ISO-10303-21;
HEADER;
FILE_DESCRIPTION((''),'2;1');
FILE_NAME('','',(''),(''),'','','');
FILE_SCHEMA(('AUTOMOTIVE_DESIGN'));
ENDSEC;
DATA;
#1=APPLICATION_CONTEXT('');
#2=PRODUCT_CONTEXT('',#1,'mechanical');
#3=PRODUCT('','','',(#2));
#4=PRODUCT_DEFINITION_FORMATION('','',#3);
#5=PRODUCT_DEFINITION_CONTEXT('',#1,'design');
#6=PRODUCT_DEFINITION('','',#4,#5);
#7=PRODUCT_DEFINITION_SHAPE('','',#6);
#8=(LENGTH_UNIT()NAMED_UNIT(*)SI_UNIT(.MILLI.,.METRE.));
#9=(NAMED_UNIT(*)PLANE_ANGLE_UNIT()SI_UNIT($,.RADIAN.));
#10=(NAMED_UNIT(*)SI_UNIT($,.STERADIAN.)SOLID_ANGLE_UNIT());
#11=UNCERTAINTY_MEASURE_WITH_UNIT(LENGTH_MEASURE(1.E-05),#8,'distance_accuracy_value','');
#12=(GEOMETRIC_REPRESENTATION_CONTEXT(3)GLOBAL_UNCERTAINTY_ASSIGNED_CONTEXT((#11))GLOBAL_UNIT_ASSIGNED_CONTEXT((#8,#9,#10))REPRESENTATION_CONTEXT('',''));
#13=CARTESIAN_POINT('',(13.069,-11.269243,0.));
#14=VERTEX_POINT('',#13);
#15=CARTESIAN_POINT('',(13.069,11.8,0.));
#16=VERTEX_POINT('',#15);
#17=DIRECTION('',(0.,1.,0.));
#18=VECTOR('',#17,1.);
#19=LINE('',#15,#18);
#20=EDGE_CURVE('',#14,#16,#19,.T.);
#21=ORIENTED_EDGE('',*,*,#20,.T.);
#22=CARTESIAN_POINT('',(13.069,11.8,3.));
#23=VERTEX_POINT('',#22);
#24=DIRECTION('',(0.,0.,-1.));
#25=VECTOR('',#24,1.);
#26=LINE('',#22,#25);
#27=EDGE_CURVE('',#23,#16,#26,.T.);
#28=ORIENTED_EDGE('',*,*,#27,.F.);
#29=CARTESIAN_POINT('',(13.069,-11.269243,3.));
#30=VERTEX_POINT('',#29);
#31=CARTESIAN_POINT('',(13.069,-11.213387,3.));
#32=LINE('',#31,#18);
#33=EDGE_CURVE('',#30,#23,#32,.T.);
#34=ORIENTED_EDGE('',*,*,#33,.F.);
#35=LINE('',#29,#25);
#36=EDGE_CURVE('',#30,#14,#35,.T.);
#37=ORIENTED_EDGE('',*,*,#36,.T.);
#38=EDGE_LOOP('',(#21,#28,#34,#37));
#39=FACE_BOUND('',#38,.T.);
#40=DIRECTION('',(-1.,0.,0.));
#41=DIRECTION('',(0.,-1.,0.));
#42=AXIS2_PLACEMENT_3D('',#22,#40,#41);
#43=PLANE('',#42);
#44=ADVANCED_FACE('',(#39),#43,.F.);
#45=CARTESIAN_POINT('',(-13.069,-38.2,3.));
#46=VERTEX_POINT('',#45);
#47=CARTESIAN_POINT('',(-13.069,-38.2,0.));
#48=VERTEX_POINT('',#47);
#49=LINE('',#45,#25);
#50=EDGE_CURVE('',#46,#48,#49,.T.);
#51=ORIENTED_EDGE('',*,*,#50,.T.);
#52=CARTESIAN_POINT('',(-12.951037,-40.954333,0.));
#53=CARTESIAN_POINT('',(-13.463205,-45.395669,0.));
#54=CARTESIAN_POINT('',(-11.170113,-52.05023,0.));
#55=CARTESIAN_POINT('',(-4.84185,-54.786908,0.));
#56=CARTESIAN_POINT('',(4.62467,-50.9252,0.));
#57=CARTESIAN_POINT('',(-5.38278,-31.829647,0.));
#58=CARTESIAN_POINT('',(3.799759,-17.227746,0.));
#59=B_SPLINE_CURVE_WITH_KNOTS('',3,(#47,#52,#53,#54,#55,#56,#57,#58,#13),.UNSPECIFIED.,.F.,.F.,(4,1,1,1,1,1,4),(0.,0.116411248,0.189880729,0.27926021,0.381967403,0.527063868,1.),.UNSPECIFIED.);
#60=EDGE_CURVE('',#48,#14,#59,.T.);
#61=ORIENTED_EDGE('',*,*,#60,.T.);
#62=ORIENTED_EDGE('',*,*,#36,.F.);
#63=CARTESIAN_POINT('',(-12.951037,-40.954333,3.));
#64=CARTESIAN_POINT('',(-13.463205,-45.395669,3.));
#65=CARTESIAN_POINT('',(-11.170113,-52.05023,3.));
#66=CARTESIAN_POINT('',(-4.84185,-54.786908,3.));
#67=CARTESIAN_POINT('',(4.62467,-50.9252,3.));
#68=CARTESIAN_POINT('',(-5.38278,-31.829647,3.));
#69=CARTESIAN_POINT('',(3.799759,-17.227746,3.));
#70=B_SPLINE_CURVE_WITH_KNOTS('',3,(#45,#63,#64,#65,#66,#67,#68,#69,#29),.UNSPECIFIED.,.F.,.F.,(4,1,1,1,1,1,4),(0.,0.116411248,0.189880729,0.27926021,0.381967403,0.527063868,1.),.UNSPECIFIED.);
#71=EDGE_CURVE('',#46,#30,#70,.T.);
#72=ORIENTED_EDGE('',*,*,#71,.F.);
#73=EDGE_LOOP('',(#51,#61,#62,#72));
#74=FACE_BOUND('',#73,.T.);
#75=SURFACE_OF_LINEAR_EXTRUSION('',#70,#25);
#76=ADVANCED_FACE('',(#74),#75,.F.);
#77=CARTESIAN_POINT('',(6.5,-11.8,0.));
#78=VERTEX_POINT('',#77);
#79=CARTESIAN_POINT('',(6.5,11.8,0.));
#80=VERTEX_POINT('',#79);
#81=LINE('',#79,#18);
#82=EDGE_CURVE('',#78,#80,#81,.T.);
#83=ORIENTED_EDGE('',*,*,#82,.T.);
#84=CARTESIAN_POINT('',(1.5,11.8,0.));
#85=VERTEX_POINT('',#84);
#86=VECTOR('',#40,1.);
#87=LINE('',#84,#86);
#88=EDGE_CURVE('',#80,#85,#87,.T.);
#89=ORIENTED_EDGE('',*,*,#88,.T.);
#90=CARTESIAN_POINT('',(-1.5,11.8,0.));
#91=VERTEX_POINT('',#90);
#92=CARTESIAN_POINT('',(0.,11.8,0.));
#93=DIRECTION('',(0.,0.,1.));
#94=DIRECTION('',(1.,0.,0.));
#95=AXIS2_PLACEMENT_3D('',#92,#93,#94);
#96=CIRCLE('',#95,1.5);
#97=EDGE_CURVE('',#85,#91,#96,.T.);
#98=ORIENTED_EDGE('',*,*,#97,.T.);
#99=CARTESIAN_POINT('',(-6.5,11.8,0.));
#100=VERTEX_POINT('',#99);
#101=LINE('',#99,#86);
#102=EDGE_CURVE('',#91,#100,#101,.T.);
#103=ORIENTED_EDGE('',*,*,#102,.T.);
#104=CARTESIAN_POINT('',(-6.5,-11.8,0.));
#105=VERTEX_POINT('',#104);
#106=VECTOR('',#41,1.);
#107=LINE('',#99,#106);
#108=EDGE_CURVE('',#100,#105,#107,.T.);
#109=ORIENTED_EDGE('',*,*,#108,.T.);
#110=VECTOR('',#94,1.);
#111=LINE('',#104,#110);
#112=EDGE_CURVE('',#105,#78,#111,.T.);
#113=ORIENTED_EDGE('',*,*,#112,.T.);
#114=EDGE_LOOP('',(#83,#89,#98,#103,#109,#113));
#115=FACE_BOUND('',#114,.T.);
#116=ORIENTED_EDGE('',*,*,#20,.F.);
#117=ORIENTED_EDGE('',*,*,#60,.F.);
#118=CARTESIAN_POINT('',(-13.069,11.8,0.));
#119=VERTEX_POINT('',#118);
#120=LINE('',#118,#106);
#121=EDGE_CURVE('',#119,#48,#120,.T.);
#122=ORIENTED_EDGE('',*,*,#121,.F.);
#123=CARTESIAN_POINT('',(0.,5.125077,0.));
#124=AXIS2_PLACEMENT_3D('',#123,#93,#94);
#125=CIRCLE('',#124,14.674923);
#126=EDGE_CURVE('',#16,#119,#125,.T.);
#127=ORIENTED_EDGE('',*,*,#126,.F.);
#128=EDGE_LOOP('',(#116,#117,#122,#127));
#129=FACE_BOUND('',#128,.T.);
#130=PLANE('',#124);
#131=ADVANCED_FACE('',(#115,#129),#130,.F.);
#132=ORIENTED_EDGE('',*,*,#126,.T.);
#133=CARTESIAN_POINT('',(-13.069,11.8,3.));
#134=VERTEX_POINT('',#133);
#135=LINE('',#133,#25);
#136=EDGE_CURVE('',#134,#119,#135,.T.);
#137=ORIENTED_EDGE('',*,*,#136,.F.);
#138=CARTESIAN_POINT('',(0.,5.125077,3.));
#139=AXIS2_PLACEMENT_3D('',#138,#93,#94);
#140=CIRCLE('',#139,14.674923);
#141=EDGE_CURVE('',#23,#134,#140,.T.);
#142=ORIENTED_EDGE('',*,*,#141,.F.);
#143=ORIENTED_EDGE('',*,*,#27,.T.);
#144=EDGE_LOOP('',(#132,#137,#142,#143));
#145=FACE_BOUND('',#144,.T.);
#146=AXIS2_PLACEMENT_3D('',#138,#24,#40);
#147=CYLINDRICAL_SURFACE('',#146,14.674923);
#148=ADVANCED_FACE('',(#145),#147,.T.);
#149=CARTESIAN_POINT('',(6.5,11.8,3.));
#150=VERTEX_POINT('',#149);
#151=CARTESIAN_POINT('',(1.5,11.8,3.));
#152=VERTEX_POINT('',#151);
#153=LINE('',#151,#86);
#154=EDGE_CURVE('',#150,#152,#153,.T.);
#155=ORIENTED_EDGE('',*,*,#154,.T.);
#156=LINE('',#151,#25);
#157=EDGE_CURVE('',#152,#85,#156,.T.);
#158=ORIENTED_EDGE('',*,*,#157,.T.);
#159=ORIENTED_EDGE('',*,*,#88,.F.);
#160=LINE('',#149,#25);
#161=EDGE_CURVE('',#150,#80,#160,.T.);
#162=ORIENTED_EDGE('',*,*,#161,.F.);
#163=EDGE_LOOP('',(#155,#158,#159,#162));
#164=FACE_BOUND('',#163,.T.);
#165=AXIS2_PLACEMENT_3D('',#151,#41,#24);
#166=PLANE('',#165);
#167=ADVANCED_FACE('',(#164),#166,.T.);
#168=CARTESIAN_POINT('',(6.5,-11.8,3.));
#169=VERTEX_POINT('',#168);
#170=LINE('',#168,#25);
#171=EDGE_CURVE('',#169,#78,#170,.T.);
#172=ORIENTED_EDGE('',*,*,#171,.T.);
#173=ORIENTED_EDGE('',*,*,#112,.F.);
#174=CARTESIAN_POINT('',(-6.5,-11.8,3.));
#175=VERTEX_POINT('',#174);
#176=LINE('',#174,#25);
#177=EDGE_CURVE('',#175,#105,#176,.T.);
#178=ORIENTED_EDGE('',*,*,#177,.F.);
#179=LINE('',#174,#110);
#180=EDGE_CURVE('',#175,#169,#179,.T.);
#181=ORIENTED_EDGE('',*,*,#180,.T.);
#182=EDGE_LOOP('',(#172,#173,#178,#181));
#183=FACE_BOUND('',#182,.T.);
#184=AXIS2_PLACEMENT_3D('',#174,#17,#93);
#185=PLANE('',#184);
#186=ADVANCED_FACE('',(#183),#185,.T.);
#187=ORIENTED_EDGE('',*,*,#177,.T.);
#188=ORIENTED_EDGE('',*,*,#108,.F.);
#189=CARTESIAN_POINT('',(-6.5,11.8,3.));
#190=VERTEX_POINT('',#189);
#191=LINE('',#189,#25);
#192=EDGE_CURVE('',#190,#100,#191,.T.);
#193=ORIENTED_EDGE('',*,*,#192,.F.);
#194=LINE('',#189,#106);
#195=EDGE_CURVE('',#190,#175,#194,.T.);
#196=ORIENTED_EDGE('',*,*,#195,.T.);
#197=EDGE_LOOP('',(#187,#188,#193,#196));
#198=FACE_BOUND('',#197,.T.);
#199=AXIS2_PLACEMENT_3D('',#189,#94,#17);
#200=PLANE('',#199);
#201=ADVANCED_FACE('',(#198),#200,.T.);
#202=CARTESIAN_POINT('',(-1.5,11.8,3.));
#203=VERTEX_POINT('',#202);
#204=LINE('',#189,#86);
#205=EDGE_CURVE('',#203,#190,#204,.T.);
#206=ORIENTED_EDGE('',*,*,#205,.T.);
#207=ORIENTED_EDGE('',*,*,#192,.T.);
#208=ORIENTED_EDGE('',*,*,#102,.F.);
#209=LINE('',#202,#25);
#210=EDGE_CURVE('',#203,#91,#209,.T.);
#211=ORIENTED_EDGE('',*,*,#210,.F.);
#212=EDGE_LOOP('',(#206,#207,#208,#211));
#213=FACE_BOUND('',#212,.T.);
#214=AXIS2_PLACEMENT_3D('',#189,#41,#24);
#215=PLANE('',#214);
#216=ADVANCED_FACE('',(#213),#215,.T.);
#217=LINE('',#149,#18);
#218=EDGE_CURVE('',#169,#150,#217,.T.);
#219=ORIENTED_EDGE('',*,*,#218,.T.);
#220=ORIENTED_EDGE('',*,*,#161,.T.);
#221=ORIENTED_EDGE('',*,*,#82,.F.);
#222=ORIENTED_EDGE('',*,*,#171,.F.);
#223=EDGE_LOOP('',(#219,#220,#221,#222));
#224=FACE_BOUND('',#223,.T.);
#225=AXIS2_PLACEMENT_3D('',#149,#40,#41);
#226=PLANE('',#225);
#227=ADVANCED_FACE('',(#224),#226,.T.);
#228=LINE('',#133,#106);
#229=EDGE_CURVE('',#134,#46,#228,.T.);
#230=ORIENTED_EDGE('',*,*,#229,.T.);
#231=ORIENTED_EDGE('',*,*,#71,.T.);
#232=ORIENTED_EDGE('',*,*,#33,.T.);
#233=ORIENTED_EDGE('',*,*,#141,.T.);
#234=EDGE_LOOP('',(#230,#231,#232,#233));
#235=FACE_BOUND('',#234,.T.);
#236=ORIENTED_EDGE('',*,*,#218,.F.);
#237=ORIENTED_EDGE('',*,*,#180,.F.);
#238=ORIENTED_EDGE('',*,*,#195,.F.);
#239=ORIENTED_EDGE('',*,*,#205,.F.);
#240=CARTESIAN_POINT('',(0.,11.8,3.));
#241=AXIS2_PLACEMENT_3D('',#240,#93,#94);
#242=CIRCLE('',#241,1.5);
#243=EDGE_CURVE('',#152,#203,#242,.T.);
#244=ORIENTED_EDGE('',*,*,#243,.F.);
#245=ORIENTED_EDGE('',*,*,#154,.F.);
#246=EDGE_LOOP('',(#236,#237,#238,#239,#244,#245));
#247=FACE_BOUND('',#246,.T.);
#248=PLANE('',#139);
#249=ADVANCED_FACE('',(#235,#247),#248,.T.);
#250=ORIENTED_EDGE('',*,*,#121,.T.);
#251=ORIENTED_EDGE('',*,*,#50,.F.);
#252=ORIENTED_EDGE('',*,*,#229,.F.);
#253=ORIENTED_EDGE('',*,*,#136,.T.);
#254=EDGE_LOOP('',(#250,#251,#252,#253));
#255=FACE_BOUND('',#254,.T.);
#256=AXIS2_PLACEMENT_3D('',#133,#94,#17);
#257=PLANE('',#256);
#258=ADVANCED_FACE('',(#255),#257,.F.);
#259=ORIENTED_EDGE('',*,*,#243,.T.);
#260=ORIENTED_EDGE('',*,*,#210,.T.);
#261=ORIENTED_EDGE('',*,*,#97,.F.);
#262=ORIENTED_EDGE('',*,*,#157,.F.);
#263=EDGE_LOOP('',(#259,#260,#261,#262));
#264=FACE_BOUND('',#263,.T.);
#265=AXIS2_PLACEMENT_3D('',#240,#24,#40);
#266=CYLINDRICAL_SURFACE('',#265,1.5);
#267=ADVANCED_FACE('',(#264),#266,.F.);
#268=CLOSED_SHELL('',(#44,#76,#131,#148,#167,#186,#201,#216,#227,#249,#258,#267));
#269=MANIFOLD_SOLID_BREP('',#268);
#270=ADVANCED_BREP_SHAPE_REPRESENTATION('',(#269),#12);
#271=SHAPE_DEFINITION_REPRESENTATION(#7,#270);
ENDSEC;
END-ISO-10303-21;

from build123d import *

# Parameters (mm, degrees)
BOSS_EXTRUDE1_DEPTH = 3


with BuildPart() as part:
    # Sketch1 → Boss-Extrude1 (new body)
    with BuildSketch(Plane.XY):
        with BuildLine():
            Line((-13.069, 11.8), (-13.069, -38.2))
            add(Edge.make_bspline(
                [(-13.069, -38.2), (-12.951036572, -40.954332513), (-13.463205261, -45.395669498), (-11.170112762, -52.050230149), (-4.841850209, -54.786907754), (4.624670056, -50.925199711), (-5.382779946, -31.82964729), (3.799759411, -17.227746281), (13.069, -11.269243397)],
                knots=[0, 0, 0, 0, 0.116411248, 0.189880729, 0.27926021, 0.381967403, 0.527063868, 1, 1, 1, 1], degree=3))
            Line((13.069, -11.269243397), (13.069, -11.213387283))
            Line((13.069, -11.213387283), (13.069, 11.8))
            ThreePointArc((13.069, 11.8), (0, 19.8), (-13.069, 11.8))
        make_face()
        with BuildLine():
            Line((-6.5, 11.8), (-1.5, 11.8))
            ThreePointArc((-1.5, 11.8), (0, 13.3), (1.5, 11.8))
            Line((1.5, 11.8), (6.5, 11.8))
            Line((6.5, 11.8), (6.5, -11.8))
            Line((6.5, -11.8), (-6.5, -11.8))
            Line((-6.5, -11.8), (-6.5, 11.8))
        make_face(mode=Mode.SUBTRACT)
    extrude(amount=BOSS_EXTRUDE1_DEPTH)


solid = part.part
